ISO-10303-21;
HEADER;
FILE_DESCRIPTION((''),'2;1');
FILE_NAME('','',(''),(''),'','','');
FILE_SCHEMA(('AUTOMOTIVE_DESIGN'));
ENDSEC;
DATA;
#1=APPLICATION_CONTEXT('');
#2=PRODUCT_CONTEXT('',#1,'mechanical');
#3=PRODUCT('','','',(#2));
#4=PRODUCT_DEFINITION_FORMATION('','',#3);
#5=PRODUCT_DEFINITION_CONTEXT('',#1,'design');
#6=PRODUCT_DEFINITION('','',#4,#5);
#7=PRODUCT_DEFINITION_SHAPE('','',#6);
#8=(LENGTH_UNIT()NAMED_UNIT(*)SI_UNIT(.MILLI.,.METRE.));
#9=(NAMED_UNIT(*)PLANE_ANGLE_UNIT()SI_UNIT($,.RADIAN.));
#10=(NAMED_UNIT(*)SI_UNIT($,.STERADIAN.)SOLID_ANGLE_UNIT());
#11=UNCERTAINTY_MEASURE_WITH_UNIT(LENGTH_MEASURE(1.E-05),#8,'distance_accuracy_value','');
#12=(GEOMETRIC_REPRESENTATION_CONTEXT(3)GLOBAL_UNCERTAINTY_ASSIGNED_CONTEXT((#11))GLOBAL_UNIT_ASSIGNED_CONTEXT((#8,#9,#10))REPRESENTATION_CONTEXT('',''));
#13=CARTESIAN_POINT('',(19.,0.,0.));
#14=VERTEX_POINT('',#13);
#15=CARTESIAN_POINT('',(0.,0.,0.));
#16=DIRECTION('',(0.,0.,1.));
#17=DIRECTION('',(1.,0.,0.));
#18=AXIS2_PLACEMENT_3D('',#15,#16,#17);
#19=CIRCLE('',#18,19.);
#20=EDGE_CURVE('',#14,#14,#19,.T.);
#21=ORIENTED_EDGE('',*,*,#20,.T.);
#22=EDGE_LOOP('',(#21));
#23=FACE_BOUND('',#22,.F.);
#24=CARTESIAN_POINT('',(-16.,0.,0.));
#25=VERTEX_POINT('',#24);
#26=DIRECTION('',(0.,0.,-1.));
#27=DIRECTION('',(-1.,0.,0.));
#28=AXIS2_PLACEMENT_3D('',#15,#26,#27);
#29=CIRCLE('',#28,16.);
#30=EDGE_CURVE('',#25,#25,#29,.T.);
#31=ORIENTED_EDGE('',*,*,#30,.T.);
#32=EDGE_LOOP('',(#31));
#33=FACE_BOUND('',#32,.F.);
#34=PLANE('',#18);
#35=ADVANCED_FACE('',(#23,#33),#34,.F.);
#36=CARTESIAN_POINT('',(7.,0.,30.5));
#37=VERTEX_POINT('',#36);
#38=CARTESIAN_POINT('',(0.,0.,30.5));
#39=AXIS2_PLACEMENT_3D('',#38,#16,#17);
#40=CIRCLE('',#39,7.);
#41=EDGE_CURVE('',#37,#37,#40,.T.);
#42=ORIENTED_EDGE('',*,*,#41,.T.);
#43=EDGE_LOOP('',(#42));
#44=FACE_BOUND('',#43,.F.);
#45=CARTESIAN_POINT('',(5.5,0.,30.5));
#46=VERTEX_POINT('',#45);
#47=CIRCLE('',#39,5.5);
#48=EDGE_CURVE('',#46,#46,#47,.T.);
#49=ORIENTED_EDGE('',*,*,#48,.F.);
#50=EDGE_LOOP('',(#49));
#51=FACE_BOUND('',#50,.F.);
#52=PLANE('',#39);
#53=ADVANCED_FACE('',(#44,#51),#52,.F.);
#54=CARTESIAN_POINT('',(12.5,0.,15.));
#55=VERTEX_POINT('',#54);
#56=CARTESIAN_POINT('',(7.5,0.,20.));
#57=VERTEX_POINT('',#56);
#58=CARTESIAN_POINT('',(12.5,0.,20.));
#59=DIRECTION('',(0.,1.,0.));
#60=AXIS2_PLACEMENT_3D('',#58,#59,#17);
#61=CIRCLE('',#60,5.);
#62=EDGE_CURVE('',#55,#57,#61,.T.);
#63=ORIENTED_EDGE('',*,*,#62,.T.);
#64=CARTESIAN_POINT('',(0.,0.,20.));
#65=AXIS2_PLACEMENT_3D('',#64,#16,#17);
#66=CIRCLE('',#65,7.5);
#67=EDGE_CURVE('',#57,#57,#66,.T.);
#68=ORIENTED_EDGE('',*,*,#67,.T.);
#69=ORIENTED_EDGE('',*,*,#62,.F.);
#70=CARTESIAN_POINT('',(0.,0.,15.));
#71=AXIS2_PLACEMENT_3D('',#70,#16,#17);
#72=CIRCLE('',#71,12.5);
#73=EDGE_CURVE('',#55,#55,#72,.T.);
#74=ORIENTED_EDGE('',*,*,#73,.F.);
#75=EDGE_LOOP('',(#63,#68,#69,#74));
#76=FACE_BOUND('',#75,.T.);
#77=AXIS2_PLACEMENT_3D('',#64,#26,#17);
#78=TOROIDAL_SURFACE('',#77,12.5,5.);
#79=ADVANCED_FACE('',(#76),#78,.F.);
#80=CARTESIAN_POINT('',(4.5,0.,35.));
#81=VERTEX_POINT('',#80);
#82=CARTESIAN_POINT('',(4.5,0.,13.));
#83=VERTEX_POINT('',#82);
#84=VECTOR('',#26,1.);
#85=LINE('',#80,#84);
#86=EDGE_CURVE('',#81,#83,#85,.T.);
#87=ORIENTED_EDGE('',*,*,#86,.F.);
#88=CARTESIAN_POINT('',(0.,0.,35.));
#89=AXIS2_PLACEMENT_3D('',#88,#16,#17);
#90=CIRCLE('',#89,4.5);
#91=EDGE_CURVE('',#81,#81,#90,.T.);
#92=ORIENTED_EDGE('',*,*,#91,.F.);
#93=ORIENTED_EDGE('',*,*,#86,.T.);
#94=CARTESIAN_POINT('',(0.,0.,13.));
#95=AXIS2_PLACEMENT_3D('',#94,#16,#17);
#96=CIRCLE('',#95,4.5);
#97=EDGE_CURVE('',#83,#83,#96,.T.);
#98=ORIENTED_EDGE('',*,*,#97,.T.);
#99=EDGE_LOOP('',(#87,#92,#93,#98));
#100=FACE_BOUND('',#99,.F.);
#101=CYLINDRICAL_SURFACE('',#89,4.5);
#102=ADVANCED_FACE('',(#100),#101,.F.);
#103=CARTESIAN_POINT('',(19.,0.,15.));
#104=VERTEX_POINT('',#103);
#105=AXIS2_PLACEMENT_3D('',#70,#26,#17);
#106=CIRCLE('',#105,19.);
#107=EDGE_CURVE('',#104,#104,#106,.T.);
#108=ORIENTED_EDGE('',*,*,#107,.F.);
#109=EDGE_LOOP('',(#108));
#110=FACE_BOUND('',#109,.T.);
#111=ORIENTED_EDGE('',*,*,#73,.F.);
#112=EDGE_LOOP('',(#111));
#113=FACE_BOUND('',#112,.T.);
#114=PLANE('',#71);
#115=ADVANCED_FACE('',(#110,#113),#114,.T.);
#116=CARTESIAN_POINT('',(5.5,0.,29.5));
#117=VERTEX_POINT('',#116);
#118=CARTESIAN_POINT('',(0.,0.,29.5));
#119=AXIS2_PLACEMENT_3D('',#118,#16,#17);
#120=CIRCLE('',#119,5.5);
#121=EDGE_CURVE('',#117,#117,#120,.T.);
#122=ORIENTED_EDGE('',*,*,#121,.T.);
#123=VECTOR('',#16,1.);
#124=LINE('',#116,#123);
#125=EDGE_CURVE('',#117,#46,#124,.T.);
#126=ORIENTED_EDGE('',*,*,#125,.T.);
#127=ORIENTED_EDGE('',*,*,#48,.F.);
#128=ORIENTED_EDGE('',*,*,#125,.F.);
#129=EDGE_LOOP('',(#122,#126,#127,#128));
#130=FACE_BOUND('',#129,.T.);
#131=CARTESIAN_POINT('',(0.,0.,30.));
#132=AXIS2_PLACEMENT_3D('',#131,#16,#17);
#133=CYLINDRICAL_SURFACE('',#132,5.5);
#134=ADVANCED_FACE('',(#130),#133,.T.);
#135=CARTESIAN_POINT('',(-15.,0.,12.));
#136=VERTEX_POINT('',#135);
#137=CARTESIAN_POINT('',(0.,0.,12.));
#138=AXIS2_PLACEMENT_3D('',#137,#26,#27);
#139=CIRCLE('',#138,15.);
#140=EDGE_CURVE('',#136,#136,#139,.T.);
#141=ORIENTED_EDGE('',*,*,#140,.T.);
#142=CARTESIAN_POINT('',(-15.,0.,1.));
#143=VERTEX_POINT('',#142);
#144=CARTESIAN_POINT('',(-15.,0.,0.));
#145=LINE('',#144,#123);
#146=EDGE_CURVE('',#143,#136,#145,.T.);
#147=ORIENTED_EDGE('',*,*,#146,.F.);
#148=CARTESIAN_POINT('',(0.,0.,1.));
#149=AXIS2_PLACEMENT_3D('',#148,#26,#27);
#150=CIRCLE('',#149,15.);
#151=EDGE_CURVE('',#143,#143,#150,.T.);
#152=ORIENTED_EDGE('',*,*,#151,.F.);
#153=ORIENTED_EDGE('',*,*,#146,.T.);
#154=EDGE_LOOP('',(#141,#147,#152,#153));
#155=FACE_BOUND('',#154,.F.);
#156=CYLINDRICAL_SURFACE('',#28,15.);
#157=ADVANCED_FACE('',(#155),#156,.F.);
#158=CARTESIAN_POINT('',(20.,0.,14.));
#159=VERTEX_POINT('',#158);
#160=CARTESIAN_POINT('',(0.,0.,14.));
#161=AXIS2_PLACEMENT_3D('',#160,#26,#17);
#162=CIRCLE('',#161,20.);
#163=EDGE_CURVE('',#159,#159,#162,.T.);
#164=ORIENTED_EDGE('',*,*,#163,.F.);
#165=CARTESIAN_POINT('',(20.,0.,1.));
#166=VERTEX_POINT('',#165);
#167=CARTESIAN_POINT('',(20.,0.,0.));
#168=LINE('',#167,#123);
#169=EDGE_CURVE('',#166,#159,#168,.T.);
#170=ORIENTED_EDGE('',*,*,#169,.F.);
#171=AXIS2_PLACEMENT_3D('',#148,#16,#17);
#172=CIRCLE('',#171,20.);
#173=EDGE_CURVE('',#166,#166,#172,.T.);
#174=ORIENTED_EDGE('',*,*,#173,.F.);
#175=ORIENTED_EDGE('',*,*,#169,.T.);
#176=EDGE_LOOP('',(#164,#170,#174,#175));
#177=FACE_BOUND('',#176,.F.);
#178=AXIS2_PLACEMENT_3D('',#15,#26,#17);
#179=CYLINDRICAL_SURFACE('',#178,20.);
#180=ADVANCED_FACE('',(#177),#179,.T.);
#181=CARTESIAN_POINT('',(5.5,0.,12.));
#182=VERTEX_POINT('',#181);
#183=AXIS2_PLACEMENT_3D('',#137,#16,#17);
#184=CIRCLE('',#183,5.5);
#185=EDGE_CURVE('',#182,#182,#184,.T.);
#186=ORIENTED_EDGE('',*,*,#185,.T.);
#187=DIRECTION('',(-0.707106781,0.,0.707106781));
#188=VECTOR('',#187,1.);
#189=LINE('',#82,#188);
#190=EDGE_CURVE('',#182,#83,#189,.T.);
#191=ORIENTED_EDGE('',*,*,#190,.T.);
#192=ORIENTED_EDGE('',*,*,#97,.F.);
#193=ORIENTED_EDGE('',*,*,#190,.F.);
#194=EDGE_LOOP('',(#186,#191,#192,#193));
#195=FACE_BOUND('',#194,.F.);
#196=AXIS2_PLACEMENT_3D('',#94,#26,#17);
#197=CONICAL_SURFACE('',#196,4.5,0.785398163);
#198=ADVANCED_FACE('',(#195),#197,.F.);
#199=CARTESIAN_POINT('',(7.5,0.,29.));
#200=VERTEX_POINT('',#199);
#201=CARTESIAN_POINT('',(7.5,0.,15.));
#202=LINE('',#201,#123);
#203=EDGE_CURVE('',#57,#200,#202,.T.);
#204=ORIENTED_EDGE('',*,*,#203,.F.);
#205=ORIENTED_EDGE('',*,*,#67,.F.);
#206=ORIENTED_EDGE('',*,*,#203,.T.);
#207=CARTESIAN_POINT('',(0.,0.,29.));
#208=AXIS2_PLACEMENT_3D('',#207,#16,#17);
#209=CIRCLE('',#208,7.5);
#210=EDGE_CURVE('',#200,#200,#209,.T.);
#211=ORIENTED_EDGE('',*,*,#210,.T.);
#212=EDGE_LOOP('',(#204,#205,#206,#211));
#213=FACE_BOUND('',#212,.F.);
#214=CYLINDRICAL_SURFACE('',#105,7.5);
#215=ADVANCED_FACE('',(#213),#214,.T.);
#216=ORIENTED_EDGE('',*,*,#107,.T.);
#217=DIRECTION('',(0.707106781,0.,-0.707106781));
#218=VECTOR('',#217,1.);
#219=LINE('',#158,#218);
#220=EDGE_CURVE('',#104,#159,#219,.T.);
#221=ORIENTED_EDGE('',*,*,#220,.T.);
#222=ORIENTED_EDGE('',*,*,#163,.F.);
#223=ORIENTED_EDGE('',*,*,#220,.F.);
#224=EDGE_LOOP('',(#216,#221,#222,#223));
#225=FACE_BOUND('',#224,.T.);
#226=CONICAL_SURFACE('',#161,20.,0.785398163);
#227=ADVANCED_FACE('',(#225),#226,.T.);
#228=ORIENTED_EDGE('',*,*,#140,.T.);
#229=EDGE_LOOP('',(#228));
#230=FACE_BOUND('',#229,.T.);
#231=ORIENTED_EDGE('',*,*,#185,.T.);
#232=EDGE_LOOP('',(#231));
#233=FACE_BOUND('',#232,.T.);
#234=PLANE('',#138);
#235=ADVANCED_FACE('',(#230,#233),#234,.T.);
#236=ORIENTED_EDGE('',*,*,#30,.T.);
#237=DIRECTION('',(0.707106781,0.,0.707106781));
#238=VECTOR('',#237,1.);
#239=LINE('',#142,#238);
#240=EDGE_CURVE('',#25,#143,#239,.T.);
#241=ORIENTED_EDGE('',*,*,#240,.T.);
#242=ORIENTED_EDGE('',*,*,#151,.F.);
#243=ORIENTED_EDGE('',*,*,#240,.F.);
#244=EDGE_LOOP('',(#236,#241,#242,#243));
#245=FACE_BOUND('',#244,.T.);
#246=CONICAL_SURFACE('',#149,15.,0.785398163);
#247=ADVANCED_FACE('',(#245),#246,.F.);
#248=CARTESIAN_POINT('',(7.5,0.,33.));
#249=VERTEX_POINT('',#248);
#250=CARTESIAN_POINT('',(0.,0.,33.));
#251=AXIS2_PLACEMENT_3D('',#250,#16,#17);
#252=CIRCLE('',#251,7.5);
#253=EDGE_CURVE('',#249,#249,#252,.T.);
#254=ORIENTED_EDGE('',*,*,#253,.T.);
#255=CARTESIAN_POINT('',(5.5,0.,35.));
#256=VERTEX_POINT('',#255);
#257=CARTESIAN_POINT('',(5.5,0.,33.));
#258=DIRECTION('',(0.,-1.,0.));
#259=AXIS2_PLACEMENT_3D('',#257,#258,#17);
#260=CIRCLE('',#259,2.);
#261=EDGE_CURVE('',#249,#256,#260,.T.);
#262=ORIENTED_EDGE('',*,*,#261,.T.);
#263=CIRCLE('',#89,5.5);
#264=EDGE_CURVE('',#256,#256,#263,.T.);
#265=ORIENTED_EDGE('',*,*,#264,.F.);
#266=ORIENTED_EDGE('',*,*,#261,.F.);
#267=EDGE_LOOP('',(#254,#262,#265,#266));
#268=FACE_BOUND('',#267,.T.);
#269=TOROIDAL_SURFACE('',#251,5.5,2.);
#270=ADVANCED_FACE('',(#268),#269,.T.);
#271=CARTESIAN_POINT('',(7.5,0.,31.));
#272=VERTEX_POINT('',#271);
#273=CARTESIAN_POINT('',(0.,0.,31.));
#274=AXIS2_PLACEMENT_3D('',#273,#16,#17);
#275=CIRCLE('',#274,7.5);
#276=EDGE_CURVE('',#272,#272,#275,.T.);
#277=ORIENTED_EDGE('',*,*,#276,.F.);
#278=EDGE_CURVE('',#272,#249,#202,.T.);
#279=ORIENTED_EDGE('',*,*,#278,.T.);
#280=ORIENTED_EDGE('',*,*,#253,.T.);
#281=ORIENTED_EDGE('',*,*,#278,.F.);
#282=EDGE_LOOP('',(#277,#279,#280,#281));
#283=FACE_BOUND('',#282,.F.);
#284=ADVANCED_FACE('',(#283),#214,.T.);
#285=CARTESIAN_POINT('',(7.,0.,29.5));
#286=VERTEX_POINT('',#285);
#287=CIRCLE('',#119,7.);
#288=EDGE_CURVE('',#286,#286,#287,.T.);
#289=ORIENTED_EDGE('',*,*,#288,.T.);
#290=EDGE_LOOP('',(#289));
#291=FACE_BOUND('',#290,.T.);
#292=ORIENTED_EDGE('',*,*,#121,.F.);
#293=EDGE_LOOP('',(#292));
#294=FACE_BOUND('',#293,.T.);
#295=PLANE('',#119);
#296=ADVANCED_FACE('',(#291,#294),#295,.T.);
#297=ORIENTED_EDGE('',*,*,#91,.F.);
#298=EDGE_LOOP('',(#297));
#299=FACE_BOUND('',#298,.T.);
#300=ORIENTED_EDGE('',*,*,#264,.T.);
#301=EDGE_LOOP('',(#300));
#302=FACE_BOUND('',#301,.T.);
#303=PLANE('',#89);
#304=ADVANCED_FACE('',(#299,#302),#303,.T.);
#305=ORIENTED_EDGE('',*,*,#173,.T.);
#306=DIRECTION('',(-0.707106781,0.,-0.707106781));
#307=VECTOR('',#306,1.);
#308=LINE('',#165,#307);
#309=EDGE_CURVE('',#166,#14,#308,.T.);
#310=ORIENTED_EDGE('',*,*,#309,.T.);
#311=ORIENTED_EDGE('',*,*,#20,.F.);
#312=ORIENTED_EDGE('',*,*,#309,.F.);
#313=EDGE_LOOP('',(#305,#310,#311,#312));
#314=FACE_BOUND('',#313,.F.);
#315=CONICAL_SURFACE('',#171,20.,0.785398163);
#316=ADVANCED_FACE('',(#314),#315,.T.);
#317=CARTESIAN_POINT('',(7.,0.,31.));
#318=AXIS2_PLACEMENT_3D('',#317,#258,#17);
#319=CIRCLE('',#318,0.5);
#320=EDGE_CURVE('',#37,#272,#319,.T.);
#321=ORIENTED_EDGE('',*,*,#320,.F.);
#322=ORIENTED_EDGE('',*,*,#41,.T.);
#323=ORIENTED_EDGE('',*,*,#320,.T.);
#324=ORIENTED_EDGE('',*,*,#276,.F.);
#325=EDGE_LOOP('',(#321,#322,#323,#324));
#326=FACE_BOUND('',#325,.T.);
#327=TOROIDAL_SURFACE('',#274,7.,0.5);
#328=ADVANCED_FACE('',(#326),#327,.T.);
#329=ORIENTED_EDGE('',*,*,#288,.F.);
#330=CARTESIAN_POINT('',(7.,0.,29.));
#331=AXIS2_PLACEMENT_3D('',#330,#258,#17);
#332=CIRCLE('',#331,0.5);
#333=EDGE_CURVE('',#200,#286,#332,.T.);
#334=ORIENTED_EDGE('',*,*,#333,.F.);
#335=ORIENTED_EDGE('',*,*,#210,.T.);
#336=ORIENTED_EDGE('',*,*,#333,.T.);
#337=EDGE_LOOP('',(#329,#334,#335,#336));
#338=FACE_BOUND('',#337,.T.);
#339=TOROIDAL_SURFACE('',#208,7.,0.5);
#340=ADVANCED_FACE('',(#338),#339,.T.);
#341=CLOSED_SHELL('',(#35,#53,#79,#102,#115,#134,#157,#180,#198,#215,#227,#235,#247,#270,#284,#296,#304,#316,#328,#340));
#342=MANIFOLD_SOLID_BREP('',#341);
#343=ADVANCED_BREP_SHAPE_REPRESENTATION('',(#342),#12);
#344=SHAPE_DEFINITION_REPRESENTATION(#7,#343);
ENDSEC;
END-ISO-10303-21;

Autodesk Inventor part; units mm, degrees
ref_plane "YZ Plane" through (0, 0, 0) normal (1, 0, 0) x (0, 1, 0)
ref_plane "XZ Plane" through (0, 0, 0) normal (0, 1, 0) x (-1, 0, 0)
sketch "Skizze1" plane through (0, 0, 0) normal (0, 0, 1) x (1, 0, 0)
  line L0 (-28, 0) -> (28, 0) projected
  line L1 (0, -28) -> (0, 28) projected
  circle A0 centre (0, 0) radius 20
  dimension "d0" = 40
extrude "Extrusion1" add sketch "Skizze1" along normal blind 15
sketch "Skizze2" plane through (0, 0, 15) normal (0, 0, 1) x (1, 0, 0)
  circle A0 centre (0, 0) radius 7.5
  dimension "d3" = 15
extrude "Extrusion2" add sketch "Skizze2" along normal blind 20
fillet "Rundung1" radius 5 1 edges at (-7.5, 0, 15)
chamfer "Fase1" distance 1 angle 45 2 edges at (-20, 0, 15) (-20, 0, 0)
fillet "Rundung2" radius 2 1 edges at (-7.5, 0, 35)
ref_plane "Arbeitsebene1" through (0, 0, 30) normal (0, 0, 1) x (1, 0, 0)
sketch "Skizze4" plane through (0, 0, 30) normal (0, 0, 1) x (1, 0, 0)
  circle A0 centre (0, 0) radius 5.5
  circle A1 centre (0, 0) radius 7.5
extrude "Extrusion3" cut sketch "Skizze4" along normal mid plane 1
fillet "Rundung3" radius 0.5 2 edges at (-7.5, 0, 30.5) (-7.5, 0, 29.5)
sketch "Skizze5" plane through (0, 0, 35) normal (0, 0, 1) x (1, 0, 0)
  circle A0 centre (0, 0) radius 4.5
  dimension "d15" = 9
extrude "Extrusion4" cut sketch "Skizze5" against normal blind 40
sketch "Skizze6" plane through (0, 0, 0) normal (0, 0, -1) x (-1, 0, 0)
  circle A0 centre (0, 0) radius 15
  dimension "d18" = 30
extrude "Extrusion5" cut sketch "Skizze6" against normal blind 12
thread "Gewinde1" size "M30x3.5" class "6H" standard "ISO Metric profile" length 15
chamfer "Fase2" distance 1 angle 45 1 edges at (15, 0, 0)
chamfer "Fase3" distance 1 angle 45 1 edges at (-4.5, 0, 12)
properties part number "SchlauchAnschluss"
